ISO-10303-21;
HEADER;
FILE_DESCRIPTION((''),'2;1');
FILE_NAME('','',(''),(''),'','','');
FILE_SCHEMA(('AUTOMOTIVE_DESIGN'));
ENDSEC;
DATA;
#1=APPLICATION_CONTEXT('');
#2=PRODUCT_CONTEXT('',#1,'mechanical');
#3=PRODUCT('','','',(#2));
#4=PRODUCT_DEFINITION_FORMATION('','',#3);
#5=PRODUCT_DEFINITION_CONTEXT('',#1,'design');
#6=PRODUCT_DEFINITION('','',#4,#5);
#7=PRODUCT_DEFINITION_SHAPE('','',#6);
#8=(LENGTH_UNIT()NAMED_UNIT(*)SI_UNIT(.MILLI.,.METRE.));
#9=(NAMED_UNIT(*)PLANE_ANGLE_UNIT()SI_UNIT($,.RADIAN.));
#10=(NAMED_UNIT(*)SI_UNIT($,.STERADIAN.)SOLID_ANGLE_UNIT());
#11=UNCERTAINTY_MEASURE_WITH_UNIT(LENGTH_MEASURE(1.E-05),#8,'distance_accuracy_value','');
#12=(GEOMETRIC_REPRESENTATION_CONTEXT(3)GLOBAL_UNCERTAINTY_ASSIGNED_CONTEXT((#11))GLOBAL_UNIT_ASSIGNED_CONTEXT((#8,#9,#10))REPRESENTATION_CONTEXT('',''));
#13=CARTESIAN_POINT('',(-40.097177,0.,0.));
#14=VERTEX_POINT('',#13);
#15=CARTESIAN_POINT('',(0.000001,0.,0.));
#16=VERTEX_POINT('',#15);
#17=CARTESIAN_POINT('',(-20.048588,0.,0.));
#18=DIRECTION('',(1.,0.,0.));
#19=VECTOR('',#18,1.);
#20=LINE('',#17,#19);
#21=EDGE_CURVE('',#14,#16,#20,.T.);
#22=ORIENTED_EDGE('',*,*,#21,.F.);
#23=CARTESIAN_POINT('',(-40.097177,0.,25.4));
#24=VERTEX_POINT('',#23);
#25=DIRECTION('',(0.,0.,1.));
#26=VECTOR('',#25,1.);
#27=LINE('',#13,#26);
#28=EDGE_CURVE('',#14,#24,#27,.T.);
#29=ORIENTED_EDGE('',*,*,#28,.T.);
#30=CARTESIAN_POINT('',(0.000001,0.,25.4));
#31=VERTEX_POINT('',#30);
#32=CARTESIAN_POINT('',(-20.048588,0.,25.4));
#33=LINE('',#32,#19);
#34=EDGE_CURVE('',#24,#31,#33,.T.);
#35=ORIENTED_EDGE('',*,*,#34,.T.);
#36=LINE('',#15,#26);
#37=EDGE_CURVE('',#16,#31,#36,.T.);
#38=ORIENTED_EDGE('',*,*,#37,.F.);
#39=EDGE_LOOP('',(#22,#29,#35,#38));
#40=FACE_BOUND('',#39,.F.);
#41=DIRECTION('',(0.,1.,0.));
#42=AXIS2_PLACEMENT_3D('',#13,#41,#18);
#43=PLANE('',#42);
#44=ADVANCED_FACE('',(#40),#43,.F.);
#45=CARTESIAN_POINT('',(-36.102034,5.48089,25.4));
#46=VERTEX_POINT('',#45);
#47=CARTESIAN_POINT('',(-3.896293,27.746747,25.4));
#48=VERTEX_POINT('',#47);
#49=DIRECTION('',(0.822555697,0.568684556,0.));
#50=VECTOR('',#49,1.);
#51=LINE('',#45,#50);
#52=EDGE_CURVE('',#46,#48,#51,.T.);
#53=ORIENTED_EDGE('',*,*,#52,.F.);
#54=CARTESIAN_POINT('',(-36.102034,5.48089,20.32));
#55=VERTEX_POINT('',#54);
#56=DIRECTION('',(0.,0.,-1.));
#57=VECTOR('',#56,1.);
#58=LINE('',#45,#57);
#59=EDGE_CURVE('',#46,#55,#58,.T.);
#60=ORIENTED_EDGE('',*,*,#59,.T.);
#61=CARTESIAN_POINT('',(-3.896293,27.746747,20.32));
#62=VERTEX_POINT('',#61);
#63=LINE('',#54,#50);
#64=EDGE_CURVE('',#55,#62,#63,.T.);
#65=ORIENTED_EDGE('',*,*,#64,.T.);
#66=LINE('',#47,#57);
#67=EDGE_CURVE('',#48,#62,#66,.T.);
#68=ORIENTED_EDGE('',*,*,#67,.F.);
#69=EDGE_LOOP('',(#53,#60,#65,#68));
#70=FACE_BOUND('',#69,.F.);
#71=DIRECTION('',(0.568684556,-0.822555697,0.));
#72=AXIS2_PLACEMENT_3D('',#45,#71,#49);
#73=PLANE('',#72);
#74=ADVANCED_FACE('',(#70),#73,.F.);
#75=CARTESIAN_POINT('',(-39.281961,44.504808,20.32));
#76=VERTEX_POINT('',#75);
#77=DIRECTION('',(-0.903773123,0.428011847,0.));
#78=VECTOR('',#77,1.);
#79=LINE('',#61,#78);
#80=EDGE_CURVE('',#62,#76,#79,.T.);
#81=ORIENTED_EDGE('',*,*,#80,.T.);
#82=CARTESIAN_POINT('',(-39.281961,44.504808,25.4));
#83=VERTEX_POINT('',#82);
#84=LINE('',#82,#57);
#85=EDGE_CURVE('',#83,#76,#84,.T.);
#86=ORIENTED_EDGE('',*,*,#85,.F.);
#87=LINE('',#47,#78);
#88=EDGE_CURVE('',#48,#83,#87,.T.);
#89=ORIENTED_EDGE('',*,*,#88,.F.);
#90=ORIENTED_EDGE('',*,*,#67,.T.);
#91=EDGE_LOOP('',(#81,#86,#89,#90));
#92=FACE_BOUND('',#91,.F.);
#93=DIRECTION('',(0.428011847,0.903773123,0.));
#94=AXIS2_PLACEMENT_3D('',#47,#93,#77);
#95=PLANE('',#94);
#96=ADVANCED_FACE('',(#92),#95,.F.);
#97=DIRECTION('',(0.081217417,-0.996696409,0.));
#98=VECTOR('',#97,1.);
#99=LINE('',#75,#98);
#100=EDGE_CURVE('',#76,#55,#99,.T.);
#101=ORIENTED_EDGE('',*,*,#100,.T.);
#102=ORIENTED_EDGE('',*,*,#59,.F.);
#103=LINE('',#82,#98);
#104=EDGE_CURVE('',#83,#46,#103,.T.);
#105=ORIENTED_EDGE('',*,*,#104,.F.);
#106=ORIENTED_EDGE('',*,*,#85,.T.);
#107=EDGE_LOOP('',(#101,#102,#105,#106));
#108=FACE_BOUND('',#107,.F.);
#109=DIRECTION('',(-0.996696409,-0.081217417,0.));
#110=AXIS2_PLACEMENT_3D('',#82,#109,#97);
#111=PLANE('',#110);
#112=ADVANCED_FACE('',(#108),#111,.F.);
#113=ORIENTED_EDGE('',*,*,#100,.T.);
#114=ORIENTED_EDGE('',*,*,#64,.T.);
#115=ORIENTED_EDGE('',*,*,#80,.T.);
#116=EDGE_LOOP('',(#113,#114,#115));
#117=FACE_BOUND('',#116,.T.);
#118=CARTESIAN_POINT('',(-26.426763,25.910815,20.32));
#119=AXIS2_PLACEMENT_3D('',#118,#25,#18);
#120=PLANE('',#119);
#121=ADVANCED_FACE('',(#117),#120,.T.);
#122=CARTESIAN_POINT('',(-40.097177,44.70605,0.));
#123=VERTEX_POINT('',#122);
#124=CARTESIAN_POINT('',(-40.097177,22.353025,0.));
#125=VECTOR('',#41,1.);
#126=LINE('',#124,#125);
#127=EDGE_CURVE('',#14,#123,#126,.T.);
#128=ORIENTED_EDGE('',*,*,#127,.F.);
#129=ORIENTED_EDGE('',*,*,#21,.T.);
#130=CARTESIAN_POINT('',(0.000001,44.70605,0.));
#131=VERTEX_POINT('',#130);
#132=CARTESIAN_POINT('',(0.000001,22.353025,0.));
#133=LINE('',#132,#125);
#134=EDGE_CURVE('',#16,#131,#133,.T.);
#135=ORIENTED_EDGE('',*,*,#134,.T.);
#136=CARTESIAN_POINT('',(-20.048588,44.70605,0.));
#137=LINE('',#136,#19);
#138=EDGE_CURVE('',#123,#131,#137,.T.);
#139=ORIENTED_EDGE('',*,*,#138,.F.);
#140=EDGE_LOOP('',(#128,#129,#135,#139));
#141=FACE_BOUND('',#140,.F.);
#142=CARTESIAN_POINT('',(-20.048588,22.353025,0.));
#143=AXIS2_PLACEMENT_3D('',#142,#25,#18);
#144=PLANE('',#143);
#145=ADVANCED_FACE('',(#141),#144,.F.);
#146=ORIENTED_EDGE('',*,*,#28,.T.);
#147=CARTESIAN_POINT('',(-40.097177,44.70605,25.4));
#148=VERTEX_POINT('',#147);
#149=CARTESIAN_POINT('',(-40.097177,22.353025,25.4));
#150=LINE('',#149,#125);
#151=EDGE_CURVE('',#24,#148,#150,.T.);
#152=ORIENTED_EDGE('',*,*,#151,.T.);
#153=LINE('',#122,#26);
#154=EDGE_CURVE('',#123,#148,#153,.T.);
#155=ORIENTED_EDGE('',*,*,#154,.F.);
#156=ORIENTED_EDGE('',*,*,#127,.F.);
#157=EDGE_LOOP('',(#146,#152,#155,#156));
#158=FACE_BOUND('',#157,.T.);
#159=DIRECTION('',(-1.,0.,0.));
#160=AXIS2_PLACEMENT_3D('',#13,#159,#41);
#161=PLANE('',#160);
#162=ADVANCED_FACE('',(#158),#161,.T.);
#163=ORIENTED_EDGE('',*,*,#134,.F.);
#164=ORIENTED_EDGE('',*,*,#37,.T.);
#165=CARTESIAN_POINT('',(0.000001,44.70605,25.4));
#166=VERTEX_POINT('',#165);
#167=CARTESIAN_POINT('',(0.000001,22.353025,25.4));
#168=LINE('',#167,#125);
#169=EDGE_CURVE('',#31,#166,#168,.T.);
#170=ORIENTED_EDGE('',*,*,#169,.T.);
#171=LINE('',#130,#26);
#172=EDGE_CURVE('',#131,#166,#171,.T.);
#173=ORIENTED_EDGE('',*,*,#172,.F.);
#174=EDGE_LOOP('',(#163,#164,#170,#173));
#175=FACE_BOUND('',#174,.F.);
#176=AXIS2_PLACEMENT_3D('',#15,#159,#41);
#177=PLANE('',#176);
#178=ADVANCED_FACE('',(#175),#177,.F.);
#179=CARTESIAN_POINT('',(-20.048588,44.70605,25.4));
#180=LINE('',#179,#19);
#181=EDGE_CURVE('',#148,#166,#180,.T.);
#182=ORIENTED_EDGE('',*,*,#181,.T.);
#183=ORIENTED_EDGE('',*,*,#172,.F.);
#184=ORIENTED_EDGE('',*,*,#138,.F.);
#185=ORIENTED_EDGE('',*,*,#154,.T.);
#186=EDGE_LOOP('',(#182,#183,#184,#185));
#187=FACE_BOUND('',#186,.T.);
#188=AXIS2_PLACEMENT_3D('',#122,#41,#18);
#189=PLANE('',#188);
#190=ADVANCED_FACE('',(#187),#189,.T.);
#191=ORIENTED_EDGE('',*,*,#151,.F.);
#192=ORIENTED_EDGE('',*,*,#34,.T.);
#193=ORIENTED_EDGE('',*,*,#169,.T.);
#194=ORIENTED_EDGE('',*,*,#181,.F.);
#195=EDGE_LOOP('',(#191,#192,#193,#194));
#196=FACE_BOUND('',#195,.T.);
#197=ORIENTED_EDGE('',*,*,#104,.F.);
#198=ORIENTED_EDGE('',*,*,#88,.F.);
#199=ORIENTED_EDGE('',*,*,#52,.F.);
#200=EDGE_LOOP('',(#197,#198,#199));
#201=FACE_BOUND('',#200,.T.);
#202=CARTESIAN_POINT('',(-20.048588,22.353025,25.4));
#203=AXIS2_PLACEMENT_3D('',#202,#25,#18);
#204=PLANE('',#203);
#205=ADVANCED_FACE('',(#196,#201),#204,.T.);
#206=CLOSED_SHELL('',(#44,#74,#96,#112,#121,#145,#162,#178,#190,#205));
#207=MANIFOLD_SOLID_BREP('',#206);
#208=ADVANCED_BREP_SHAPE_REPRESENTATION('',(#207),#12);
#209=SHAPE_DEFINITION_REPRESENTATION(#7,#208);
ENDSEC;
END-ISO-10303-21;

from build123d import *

# Parameters (mm, degrees)
F0_W     = 40.097177
F0_H     = 44.70605
F1_DEPTH = 25.4
F3_DEPTH = 5.08


with BuildPart() as f1:
    # F0 (on Top) → F1 (new body)
    with BuildSketch(Plane.XY):
        with Locations((-20.048588, 22.353025)):
            Rectangle(F0_W, F0_H)
    extrude(amount=F1_DEPTH)

    # F2 (on face) → F3 (cut)
    with BuildSketch(Plane.XY.offset(25.4)):
        Polygon((-36.102034, 5.48089), (-3.896293, 27.746747), (-39.281961, 44.504808), align=None)
    extrude(amount=-F3_DEPTH, mode=Mode.SUBTRACT)


solid = f1.part
